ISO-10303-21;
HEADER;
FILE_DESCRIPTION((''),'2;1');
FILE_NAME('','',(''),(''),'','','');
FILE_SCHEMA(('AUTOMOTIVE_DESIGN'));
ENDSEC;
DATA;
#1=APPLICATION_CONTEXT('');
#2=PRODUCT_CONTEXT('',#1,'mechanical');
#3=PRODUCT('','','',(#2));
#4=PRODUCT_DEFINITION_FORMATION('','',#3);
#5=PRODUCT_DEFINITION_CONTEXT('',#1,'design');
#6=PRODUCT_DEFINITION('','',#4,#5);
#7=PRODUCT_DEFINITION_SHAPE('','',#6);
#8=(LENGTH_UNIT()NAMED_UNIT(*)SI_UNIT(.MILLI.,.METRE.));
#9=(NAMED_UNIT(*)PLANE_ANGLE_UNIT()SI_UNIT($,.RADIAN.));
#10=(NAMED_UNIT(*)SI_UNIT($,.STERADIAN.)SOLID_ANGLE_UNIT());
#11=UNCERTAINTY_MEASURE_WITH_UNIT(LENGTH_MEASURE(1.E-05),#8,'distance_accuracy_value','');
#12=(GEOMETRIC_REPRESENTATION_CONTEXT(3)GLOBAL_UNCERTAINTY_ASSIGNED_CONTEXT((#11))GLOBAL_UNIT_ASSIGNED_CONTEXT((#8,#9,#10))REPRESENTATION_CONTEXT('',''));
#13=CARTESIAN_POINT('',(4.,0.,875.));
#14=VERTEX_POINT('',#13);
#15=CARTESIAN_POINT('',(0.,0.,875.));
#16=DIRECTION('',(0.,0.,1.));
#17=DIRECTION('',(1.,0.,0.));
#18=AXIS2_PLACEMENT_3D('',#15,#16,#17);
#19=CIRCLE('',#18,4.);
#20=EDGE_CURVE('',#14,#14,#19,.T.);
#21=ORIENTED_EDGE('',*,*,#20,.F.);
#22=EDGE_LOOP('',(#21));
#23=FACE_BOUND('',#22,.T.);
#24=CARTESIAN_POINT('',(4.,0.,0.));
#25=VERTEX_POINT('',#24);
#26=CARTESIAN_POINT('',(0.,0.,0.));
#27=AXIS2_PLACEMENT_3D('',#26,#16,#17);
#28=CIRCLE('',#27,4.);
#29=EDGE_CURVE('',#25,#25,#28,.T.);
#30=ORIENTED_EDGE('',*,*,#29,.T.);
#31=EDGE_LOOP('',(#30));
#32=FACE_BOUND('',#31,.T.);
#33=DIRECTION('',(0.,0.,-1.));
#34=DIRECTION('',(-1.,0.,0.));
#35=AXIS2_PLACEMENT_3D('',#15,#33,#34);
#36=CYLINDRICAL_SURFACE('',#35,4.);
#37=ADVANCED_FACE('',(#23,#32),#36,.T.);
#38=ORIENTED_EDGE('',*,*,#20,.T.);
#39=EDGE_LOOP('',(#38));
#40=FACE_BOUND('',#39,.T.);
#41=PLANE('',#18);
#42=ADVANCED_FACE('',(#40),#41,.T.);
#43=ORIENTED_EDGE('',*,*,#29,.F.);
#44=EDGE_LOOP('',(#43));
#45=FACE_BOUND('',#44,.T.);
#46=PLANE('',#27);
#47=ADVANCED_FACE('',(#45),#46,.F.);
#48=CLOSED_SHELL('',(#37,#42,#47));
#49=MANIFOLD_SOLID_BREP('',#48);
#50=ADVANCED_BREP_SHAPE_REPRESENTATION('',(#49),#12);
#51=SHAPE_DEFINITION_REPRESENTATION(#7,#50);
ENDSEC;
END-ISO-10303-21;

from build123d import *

# Parameters (mm, degrees)
SKETCH1_R           = 4
BOSS_EXTRUDE2_DEPTH = 875


with BuildPart() as part:
    # Sketch1 → Boss-Extrude2 (new body)
    with BuildSketch(Plane.XY):
        Circle(SKETCH1_R)
    extrude(amount=BOSS_EXTRUDE2_DEPTH)


solid = part.part
